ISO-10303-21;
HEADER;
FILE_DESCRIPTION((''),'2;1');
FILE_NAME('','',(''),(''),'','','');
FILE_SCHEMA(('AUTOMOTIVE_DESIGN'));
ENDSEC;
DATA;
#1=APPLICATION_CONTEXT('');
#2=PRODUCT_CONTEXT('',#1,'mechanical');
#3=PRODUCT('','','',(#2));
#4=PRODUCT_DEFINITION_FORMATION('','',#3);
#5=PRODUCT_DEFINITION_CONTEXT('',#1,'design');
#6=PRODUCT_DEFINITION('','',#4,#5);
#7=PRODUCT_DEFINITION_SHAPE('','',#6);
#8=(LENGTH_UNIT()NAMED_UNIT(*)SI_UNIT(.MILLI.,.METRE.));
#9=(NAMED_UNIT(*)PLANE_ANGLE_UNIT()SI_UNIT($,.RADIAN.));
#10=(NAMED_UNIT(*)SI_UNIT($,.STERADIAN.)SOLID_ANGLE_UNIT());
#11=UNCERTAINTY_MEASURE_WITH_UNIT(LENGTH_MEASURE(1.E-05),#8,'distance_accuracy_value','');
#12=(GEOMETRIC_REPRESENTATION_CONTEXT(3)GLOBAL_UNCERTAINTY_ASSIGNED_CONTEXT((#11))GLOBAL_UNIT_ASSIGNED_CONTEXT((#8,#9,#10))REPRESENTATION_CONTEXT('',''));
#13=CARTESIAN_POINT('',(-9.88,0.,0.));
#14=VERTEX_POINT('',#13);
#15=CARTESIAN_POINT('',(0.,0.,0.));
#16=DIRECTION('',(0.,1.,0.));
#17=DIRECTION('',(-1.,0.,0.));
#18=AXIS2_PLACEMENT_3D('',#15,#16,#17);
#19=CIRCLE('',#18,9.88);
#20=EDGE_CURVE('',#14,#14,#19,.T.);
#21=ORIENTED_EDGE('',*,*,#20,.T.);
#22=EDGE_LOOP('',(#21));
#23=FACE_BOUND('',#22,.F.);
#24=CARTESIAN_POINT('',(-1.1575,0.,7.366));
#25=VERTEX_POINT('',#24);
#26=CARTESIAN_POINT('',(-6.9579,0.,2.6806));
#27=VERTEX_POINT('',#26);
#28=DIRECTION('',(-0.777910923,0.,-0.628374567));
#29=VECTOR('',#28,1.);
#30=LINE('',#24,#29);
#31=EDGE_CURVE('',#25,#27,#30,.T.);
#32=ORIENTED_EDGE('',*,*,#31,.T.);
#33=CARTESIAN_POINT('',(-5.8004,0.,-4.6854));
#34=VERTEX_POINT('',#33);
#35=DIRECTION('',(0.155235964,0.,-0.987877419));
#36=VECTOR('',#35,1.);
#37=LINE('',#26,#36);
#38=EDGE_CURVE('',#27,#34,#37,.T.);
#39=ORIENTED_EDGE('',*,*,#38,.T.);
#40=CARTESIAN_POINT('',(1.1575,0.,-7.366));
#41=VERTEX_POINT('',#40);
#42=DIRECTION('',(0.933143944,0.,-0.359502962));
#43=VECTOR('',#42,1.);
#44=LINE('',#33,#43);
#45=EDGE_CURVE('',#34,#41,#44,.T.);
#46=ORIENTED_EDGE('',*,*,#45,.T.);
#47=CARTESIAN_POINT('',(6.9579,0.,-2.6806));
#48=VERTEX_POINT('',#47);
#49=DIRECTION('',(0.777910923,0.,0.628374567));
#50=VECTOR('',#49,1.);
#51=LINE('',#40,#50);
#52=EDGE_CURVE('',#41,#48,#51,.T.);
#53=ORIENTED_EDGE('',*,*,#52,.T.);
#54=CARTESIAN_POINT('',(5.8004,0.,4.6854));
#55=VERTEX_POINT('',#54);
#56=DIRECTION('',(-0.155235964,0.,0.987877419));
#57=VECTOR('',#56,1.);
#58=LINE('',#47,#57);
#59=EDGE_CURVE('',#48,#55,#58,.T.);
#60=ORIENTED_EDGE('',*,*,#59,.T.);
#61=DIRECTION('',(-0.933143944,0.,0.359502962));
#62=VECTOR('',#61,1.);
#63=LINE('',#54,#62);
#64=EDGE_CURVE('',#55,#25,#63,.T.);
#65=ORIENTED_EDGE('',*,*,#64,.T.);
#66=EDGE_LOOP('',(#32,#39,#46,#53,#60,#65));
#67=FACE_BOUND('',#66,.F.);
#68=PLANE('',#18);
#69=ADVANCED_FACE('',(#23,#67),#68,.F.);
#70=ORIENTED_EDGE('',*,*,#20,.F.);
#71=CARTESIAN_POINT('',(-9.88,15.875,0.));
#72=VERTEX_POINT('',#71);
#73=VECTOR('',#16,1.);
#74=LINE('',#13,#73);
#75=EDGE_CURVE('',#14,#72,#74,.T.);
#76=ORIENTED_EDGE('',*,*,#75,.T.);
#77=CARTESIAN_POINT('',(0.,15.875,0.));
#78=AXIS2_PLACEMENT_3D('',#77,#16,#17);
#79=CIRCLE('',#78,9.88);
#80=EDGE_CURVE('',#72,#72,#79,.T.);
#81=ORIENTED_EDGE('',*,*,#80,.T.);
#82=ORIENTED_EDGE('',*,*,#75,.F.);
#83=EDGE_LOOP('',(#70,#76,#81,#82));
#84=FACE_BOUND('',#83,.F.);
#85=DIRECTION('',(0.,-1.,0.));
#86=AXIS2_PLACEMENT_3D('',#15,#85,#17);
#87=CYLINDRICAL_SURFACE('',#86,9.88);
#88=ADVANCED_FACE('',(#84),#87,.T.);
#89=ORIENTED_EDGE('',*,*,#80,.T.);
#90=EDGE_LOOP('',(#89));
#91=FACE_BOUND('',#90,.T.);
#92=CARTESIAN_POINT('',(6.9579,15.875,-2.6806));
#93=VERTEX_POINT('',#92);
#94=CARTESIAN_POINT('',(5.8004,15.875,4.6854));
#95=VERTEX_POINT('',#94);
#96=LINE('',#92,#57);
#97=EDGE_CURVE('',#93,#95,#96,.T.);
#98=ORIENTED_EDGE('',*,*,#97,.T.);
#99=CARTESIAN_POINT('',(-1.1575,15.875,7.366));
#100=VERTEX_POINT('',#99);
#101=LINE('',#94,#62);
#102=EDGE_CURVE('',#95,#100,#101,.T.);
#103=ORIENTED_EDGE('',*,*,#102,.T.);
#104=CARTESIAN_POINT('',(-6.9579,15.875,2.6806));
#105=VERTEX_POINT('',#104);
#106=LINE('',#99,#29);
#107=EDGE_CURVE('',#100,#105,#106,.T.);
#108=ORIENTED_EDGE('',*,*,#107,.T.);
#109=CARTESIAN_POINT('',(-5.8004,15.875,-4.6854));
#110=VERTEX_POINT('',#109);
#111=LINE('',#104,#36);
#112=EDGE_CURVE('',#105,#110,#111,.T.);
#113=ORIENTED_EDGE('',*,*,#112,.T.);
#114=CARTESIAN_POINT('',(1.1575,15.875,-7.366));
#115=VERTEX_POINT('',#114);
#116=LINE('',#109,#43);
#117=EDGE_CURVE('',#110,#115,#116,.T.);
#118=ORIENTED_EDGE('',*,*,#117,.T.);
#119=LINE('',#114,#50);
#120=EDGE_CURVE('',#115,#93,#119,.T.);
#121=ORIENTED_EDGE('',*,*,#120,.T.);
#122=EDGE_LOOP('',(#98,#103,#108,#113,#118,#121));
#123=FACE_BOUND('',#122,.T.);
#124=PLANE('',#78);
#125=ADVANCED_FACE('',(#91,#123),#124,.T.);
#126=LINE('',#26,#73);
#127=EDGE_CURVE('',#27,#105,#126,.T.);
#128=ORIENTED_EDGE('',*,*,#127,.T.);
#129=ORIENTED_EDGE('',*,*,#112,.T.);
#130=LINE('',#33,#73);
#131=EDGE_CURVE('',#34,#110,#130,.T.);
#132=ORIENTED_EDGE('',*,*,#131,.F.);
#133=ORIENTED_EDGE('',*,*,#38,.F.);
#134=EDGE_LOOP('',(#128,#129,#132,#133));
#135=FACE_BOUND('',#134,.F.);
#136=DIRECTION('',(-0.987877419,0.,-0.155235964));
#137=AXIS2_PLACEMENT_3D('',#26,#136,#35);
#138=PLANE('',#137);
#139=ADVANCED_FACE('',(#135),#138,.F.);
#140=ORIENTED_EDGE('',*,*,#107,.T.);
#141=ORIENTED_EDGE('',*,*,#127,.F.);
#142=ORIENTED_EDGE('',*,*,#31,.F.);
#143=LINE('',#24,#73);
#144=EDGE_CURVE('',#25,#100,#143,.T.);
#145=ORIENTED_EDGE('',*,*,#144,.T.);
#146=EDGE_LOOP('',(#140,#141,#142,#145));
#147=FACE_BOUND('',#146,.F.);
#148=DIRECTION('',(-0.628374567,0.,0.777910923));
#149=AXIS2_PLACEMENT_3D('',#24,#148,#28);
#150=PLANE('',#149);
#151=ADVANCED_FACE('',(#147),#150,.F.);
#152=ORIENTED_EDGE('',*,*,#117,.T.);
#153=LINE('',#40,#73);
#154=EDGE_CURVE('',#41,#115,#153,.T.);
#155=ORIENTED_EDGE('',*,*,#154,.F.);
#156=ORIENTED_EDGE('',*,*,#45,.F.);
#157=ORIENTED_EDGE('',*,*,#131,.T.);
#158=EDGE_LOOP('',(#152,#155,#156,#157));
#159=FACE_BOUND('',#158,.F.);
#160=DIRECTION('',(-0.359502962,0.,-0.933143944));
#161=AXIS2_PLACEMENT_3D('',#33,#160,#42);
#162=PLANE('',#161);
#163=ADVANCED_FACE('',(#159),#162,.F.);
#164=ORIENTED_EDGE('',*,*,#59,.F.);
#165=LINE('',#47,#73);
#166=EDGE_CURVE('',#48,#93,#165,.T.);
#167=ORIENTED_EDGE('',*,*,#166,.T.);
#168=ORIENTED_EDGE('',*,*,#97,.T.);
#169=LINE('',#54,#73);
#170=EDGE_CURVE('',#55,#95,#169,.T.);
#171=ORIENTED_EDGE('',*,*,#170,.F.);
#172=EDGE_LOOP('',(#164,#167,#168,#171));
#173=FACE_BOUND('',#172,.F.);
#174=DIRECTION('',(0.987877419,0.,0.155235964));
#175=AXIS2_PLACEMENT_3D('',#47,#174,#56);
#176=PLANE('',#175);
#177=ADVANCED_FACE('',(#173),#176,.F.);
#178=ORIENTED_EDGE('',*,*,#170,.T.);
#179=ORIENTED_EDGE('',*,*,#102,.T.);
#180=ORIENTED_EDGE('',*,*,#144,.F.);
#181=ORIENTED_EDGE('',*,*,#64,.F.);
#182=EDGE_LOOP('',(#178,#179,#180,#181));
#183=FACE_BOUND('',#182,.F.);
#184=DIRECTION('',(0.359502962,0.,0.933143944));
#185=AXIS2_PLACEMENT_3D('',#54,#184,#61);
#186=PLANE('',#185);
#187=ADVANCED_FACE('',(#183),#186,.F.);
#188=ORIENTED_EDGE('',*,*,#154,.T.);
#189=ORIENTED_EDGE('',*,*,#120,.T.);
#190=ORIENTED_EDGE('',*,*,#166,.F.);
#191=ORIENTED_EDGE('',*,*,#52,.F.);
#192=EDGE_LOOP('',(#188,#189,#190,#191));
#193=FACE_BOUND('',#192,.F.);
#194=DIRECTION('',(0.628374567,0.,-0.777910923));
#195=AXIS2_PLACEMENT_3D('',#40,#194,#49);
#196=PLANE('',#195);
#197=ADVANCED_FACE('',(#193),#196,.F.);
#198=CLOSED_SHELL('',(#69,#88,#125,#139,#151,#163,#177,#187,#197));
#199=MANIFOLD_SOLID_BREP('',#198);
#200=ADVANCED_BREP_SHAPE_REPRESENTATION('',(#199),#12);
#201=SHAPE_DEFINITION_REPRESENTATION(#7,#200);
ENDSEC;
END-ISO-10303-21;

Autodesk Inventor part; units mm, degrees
ref_plane "YZ Plane" through (0, 0, 0) normal (1, 0, 0) x (0, 1, 0)
ref_plane "XZ Plane" through (0, 0, 0) normal (0, 1, 0) x (-1, 0, 0)
ref_plane "XY Plane" through (0, 0, 0) normal (0, 0, 1) x (1, 0, 0)
sketch "Sketch1" plane through (0, 0, 0) normal (0, 1, 0) x (-1, 0, 0)
  line L0 (5.8004, -4.6854) -> (-1.1575, -7.366)
  line L1 (-1.1575, -7.366) -> (-6.9579, -2.6806)
  line L2 (-6.9579, -2.6806) -> (-5.8004, 4.6854)
  line L3 (-5.8004, 4.6854) -> (1.1575, 7.366)
  line L4 (1.1575, 7.366) -> (6.9579, 2.6806)
  line L5 (6.9579, 2.6806) -> (5.8004, -4.6854)
  circle A0 centre (0, 0) radius 9.88
  dimension "d0" = 7.366
extrude "Extrusion1" add sketch "Sketch1" along normal blind 15.875
properties part number "wheel spacer"
